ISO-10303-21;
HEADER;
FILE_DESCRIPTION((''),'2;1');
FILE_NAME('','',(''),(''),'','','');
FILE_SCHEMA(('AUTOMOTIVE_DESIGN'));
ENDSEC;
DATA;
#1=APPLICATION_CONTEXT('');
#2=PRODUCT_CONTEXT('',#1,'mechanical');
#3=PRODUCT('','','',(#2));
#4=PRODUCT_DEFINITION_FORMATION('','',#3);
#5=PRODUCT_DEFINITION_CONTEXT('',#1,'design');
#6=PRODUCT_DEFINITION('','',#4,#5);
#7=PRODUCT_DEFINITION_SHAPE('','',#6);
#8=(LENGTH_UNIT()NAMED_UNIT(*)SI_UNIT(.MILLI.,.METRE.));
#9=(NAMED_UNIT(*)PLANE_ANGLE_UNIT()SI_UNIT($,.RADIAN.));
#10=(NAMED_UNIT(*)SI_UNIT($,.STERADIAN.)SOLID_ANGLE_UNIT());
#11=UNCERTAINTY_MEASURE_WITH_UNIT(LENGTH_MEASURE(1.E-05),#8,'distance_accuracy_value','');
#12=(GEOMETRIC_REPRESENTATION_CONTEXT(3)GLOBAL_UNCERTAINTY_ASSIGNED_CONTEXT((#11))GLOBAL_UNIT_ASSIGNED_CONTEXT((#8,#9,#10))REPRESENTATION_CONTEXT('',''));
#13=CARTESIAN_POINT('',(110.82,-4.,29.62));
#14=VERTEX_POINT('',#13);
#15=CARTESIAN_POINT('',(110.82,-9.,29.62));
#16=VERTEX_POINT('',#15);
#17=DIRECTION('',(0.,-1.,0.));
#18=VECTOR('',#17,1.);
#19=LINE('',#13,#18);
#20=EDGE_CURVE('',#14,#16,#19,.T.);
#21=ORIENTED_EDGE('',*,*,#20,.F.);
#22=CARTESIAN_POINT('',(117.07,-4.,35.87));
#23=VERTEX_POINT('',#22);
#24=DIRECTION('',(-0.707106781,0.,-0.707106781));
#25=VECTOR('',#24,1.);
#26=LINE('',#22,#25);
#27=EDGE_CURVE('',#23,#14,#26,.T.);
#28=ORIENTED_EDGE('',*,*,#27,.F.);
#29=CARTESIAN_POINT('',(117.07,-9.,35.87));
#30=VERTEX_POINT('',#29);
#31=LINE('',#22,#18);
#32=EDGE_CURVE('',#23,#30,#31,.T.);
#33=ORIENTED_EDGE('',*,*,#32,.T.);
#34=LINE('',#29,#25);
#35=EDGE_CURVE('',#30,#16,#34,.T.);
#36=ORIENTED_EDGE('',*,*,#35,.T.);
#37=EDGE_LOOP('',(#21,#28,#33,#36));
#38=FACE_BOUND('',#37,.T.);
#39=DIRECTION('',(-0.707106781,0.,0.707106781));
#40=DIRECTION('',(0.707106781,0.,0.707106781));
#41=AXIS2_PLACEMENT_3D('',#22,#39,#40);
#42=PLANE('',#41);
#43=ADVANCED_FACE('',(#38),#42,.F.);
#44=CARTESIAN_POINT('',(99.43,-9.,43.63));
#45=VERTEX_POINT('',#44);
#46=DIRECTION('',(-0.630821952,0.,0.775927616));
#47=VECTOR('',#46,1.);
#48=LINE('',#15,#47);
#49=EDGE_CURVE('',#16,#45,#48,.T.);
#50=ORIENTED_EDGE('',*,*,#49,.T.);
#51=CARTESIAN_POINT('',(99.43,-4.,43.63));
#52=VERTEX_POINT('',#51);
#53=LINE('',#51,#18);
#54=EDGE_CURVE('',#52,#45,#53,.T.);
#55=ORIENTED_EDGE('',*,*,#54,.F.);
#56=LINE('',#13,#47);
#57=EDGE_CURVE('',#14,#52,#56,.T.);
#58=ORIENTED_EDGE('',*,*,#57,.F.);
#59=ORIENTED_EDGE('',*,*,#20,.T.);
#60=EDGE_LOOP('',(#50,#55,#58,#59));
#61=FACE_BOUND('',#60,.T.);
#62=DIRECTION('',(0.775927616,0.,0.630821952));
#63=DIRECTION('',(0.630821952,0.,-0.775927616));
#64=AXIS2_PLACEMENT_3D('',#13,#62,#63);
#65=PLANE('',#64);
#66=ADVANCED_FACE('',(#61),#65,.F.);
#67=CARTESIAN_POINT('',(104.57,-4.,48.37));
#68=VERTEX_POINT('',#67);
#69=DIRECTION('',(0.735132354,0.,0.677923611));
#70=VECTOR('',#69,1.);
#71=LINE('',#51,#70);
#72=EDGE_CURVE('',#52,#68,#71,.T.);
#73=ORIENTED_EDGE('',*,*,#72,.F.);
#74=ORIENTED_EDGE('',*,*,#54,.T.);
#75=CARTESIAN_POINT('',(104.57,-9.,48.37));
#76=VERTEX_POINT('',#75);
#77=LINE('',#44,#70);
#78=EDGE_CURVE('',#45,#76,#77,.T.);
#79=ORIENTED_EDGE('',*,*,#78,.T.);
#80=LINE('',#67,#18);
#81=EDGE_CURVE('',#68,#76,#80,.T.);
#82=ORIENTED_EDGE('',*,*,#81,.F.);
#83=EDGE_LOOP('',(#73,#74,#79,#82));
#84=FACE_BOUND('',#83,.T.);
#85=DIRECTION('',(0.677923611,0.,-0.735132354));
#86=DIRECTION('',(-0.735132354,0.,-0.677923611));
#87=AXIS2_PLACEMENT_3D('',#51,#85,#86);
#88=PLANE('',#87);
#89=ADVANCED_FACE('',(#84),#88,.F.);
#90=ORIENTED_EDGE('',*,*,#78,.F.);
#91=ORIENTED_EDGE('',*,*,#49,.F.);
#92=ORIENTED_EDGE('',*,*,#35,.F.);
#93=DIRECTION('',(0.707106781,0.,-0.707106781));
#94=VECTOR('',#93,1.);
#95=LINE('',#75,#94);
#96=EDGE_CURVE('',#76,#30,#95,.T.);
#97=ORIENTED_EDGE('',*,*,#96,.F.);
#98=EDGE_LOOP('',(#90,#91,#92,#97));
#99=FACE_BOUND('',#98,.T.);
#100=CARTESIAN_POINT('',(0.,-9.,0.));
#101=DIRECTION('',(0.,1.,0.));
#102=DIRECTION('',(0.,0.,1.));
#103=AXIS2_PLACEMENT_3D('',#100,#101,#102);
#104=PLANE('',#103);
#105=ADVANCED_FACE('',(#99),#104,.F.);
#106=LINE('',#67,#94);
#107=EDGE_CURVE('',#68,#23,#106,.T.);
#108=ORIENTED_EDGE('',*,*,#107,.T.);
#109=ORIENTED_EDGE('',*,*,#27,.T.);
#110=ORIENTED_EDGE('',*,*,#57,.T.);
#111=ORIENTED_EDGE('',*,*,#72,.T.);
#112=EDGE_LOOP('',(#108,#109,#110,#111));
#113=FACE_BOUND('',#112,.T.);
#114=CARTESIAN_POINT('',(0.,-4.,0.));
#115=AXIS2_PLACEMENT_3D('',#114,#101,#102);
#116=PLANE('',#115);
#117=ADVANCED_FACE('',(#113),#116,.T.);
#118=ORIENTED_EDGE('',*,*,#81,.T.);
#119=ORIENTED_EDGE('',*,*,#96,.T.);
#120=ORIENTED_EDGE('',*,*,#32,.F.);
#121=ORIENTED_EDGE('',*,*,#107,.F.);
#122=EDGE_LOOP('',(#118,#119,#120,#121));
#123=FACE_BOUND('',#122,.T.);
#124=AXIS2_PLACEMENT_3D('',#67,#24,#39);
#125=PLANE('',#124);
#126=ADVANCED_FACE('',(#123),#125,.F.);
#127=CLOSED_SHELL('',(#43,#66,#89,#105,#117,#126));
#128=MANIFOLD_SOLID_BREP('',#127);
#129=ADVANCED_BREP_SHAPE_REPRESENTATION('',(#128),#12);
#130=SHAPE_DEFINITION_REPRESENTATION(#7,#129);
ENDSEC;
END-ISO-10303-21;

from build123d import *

# Parameters (mm, degrees)
EXTRUDE_START   = -9
EXTRUDE_1_DEPTH = 5


with BuildPart() as part:
    # 草图1 → 凸台-拉伸1 (new body)
    with BuildSketch(Plane(origin=(0, 0, 0), x_dir=(1, 0, 0), z_dir=(0, 1, 0)).offset(EXTRUDE_START)):
        Polygon((104.57, -48.37), (117.07, -35.87), (110.82, -29.62), (99.43, -43.63), align=None)
    extrude(amount=EXTRUDE_1_DEPTH)


solid = part.part
